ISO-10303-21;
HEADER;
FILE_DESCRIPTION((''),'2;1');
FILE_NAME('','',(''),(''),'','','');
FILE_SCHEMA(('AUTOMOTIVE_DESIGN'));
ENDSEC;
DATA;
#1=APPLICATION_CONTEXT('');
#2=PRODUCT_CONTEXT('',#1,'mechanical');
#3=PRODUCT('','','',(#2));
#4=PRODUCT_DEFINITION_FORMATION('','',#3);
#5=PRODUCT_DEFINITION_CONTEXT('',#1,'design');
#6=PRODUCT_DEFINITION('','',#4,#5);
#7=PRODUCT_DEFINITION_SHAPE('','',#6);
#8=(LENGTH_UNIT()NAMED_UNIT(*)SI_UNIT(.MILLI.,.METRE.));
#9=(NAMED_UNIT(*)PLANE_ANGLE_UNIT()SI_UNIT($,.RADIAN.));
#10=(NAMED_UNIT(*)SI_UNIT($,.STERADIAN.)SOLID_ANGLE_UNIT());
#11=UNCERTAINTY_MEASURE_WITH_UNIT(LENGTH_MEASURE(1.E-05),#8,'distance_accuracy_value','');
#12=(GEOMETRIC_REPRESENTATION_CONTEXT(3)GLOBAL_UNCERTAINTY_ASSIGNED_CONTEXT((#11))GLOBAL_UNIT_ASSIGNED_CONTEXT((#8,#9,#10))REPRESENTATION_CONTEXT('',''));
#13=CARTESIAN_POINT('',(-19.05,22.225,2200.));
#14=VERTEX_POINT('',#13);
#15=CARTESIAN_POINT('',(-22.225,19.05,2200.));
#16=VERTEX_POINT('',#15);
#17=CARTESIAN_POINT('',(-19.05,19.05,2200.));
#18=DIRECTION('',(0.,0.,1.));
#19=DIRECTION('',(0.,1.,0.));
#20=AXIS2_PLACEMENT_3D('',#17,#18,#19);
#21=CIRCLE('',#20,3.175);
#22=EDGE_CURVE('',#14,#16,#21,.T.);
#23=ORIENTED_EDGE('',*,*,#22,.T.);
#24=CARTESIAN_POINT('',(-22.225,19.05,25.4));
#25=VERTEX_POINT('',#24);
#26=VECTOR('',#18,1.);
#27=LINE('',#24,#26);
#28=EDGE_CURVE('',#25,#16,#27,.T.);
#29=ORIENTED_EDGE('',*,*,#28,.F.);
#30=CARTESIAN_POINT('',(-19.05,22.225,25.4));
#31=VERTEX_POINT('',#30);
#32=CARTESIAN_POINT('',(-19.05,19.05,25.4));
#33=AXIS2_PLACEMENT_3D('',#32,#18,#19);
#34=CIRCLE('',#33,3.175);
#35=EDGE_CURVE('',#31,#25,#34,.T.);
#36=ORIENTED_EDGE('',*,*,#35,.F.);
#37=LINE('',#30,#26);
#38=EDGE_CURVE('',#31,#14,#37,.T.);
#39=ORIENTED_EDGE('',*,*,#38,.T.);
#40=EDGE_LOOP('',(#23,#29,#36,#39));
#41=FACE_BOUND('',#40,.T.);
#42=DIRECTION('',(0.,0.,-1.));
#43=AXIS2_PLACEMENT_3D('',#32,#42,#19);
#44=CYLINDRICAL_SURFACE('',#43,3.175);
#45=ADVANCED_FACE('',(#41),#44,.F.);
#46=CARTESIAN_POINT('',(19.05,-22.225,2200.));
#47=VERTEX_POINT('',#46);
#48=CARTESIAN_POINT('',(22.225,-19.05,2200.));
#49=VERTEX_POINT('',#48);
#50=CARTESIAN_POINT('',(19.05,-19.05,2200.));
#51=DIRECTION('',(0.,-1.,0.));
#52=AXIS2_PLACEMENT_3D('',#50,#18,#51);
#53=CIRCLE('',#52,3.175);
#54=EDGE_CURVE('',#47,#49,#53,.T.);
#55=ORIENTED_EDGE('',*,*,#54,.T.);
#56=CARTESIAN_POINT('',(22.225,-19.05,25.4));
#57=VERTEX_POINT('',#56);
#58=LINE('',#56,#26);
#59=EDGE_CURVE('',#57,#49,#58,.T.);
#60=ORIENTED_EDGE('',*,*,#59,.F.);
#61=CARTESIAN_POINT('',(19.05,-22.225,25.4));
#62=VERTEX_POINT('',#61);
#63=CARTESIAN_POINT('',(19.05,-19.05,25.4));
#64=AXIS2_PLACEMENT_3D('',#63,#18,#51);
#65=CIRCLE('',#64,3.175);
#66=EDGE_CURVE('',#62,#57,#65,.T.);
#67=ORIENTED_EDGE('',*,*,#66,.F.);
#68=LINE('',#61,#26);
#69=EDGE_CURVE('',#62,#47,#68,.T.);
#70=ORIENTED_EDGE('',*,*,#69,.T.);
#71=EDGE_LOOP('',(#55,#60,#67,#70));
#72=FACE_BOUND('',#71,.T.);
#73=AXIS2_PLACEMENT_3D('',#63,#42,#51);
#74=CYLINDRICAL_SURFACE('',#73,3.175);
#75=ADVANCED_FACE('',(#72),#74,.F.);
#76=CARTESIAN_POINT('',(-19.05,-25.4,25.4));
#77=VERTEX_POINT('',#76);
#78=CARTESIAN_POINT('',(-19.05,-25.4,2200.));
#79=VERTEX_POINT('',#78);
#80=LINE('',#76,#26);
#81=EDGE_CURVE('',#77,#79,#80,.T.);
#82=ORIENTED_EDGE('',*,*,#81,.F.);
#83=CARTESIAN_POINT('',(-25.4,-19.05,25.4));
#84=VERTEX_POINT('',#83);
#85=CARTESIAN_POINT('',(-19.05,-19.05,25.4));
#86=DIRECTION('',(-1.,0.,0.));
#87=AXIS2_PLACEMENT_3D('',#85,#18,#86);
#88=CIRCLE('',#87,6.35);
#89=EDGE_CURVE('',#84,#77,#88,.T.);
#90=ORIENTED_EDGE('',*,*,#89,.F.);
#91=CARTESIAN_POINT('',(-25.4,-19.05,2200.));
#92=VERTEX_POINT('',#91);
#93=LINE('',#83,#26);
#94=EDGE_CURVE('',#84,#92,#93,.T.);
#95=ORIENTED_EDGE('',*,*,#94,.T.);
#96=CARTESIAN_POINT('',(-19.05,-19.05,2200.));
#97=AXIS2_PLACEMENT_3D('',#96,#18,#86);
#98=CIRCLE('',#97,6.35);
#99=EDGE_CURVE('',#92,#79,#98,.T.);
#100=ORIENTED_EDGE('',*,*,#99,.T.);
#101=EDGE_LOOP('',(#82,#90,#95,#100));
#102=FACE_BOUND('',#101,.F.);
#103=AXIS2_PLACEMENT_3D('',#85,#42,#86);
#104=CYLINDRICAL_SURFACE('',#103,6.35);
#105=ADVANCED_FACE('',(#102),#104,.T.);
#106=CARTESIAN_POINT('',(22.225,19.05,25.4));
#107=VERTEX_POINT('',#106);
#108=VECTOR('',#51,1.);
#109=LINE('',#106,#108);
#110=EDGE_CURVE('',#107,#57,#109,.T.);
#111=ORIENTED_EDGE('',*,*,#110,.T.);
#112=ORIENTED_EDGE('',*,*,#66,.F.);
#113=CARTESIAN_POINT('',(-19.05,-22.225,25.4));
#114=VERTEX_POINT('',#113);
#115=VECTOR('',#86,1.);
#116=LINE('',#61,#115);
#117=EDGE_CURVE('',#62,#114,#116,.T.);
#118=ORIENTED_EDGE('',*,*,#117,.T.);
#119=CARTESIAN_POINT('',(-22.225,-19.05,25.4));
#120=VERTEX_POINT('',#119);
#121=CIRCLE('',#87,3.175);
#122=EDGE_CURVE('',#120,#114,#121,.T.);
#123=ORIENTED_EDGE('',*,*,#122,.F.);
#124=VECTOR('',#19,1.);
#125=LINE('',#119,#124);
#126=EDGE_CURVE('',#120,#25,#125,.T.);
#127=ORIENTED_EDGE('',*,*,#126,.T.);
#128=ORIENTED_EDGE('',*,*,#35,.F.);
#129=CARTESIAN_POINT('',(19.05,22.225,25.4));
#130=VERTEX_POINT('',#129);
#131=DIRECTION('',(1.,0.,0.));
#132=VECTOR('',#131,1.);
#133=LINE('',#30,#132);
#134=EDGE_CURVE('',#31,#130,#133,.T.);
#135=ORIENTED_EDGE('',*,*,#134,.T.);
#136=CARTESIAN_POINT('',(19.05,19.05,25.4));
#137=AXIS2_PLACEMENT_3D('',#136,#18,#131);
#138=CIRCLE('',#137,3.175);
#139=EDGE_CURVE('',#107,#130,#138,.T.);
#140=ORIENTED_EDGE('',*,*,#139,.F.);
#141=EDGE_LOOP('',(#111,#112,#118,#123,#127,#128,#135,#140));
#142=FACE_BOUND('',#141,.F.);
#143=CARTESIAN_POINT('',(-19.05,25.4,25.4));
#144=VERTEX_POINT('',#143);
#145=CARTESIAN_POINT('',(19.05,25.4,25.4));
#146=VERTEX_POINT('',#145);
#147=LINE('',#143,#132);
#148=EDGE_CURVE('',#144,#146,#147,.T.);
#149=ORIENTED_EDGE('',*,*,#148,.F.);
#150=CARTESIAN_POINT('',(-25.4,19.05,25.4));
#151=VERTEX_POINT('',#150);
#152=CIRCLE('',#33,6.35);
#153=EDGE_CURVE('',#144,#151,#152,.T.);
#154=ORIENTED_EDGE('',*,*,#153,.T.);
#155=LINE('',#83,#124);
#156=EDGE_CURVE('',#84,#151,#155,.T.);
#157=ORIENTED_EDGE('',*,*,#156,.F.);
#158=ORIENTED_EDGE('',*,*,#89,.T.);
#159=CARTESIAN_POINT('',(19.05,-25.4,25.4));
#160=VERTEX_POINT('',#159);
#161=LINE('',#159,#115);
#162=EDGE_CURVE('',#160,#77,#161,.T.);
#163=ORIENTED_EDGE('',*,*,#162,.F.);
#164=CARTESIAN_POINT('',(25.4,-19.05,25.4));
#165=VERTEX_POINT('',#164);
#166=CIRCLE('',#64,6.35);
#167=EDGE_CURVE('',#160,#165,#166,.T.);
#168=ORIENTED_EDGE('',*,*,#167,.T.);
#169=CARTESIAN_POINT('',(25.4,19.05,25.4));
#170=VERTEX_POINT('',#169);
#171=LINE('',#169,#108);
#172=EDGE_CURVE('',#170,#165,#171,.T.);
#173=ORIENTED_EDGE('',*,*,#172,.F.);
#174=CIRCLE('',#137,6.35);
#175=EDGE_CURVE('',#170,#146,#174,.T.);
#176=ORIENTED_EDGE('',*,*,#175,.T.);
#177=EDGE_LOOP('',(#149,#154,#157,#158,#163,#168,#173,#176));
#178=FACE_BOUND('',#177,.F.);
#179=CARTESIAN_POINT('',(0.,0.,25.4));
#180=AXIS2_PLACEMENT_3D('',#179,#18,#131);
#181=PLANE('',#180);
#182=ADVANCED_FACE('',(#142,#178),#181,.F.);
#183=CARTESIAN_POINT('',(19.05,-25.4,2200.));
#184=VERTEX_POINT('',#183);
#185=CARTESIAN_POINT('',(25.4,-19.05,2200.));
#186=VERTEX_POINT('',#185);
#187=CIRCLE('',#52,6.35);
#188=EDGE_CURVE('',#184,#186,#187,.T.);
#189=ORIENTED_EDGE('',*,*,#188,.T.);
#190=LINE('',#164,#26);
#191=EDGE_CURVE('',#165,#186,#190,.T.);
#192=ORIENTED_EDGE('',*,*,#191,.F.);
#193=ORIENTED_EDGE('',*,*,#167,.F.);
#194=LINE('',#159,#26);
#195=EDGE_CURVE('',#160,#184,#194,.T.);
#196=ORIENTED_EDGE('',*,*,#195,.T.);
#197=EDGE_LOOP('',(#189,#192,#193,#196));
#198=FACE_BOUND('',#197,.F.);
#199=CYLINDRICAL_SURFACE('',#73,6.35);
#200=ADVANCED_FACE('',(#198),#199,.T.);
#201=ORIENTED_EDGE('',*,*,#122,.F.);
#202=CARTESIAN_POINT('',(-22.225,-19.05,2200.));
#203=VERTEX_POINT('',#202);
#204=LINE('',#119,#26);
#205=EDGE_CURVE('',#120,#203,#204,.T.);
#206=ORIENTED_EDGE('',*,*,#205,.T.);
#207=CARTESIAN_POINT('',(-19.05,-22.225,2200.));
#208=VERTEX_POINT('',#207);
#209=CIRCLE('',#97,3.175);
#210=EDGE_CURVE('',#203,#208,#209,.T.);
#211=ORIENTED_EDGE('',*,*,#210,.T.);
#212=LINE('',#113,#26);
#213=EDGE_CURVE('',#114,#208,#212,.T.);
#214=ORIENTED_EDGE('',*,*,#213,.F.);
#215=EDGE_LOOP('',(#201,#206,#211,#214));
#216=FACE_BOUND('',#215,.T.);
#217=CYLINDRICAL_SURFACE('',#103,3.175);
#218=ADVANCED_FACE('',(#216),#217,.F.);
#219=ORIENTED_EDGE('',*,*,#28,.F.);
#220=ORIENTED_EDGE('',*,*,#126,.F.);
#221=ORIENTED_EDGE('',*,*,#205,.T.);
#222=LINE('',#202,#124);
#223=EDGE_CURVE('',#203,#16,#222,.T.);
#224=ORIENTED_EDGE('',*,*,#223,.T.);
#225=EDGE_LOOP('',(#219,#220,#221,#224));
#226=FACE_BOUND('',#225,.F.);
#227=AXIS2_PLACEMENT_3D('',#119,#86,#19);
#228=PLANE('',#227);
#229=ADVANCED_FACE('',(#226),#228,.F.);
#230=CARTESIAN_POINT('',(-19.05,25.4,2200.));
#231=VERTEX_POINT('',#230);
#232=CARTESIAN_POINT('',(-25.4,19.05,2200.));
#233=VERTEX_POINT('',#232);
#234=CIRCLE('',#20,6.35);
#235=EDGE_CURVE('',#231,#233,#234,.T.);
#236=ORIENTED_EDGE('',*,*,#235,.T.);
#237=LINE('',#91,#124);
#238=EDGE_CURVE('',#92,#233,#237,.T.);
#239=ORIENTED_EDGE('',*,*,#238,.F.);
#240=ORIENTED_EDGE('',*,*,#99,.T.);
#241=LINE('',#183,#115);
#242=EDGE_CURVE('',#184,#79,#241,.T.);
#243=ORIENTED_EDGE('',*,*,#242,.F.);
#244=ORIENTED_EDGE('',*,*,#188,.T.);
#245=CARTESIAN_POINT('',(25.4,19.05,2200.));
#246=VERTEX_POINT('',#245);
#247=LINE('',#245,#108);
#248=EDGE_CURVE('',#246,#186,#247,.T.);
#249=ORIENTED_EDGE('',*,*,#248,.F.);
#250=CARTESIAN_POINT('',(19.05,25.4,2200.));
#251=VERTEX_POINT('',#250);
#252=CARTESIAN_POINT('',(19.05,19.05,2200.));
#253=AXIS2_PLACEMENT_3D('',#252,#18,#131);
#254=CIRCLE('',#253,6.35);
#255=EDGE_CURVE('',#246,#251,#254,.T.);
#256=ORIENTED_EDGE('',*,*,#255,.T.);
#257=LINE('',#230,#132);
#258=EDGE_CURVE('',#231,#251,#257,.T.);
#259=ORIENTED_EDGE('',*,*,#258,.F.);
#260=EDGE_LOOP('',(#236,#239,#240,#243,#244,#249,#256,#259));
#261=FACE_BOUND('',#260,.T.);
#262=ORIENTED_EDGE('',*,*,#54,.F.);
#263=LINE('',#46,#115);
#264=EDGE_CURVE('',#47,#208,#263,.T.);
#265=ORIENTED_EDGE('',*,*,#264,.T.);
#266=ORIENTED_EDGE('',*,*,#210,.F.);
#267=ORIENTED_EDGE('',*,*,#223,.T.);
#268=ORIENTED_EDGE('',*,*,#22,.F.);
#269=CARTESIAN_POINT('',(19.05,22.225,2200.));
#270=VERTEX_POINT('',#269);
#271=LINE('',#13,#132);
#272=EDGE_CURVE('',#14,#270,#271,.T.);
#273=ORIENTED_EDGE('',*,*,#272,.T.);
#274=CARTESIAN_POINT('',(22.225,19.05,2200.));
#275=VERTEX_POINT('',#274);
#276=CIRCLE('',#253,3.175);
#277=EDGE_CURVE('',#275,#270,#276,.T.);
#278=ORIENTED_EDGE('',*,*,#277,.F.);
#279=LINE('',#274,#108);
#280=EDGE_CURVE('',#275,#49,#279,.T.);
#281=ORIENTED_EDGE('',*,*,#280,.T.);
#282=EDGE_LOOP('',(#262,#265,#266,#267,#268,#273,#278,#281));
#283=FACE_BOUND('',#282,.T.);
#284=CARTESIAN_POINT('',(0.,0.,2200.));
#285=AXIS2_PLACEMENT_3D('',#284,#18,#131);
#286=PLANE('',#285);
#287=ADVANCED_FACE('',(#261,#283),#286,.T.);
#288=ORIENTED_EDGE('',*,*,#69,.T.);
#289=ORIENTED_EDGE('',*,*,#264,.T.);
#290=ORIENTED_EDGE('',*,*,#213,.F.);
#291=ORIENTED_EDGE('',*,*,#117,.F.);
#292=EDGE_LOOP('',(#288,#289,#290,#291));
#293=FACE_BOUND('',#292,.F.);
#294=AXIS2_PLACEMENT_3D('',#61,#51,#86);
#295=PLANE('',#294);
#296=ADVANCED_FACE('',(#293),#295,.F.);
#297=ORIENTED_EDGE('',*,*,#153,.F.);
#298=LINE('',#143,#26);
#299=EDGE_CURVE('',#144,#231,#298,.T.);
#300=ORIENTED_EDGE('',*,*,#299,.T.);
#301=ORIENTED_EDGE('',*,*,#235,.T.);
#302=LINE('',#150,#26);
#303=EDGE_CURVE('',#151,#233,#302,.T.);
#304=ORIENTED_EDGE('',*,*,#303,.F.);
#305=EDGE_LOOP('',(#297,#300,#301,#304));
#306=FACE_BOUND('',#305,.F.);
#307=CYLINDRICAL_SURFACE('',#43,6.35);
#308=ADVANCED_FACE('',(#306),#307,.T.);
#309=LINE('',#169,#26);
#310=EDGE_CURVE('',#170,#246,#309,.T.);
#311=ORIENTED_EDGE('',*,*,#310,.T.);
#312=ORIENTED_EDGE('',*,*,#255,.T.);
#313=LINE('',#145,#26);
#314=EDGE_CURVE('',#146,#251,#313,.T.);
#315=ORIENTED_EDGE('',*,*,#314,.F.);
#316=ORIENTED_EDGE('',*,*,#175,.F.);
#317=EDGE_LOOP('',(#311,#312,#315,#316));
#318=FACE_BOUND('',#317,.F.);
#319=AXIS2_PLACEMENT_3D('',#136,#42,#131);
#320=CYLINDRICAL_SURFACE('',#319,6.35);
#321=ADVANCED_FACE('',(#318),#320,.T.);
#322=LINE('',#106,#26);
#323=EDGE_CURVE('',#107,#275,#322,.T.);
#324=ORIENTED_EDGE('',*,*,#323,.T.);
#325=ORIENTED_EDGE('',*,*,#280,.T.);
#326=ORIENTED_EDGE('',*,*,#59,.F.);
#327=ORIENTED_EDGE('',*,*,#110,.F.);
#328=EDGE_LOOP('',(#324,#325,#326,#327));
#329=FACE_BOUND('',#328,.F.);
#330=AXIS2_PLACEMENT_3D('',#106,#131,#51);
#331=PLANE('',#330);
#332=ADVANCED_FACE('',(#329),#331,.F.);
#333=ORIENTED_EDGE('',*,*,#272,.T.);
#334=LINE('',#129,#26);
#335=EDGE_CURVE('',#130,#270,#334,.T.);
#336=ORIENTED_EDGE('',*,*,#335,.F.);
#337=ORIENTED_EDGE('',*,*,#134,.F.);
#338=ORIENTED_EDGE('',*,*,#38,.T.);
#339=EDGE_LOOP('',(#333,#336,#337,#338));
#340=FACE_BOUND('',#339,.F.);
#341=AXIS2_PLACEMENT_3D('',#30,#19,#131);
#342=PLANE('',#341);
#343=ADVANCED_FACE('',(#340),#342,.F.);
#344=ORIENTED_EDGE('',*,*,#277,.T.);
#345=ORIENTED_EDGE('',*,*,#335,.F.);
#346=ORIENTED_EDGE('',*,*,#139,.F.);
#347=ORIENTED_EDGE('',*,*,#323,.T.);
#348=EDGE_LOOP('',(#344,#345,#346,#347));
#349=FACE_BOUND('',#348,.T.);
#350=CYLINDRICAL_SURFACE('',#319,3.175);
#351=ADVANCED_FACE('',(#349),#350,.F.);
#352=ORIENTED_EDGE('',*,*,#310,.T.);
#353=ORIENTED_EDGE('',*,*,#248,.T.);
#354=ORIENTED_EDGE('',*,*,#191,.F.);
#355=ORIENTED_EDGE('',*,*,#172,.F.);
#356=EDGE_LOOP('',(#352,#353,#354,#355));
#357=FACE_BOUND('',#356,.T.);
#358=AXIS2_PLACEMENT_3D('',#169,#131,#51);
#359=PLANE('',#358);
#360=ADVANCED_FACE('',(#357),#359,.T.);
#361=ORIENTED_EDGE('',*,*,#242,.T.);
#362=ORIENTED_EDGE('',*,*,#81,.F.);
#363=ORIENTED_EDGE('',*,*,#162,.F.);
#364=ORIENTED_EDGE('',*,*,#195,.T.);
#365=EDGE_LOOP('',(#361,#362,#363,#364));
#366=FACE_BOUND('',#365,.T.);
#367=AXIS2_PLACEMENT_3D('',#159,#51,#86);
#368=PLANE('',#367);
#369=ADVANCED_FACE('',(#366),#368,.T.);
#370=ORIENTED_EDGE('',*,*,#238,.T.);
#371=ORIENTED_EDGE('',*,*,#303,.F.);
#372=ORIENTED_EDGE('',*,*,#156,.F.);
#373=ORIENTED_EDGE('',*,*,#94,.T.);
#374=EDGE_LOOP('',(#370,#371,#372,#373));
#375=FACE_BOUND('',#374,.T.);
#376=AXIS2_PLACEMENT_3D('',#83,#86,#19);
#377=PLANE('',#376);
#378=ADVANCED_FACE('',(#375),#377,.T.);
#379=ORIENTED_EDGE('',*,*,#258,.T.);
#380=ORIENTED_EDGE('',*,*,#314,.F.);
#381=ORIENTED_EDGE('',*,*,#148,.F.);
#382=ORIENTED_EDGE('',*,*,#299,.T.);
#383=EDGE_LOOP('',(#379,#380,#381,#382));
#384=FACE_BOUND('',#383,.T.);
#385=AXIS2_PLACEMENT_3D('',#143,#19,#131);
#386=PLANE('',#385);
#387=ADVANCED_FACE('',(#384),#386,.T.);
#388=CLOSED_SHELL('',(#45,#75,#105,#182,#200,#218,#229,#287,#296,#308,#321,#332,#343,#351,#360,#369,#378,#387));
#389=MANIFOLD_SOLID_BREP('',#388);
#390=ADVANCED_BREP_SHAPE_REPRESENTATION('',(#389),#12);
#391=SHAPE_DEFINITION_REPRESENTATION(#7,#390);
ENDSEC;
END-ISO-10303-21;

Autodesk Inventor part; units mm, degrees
ref_plane "Plano inicial" through (0, 0, 25.4) normal (0, 0, 1) x (1, 0, 0)
ref_plane "Plano final" through (0, 0, 2200) normal (0, 0, 1) x (1, 0, 0)
sketch "Boceto" plane through (0, 0, 0) normal (0, 0, 1) x (1, 0, 0)
  line L0 (-25.4, -19.05) -> (-25.4, 19.05)
  line L1 (-19.05, 25.4) -> (19.05, 25.4)
  line L2 (25.4, 19.05) -> (25.4, -19.05)
  line L3 (19.05, -25.4) -> (-19.05, -25.4)
  arc A0 (-25.4, -19.05) -> (-19.05, -25.4) centre (-19.05, -19.05) ccw
  arc A1 (-19.05, 25.4) -> (-25.4, 19.05) centre (-19.05, 19.05) ccw
  arc A2 (25.4, 19.05) -> (19.05, 25.4) centre (19.05, 19.05) ccw
  arc A3 (19.05, -25.4) -> (25.4, -19.05) centre (19.05, -19.05) ccw
  arc A4 (-19.05, 22.225) -> (-22.225, 19.05) centre (-19.05, 19.05) ccw
  line L4 (-19.05, 22.225) -> (19.05, 22.225)
  arc A5 (22.225, 19.05) -> (19.05, 22.225) centre (19.05, 19.05) ccw
  line L5 (22.225, 19.05) -> (22.225, -19.05)
  arc A6 (19.05, -22.225) -> (22.225, -19.05) centre (19.05, -19.05) ccw
  line L6 (19.05, -22.225) -> (-19.05, -22.225)
  arc A7 (-22.225, -19.05) -> (-19.05, -22.225) centre (-19.05, -19.05) ccw
  line L7 (-22.225, -19.05) -> (-22.225, 19.05)
  line L8 (0, 37.4012) -> (0, -37.4012) construction
  line L9 (-37.4012, 0) -> (37.4012, 0) construction
  dimension "d10" = 50.8
  dimension "d11" = 50.8
  dimension "d12" = 3.175
  dimension "d15" = 25.4
  dimension "d16" = 25.4
  dimension "d17" = 6.35
extrude "Cuerpo" add sketch "Boceto" along normal up to surface (2174.6 mm away) from surface at 25.4
sketch "Sketch3" plane through (0, 0, 0) normal (0, 0, 1) x (1, 0, 0)
  line L0 (0, 0) -> (10, 0)
ref_plane "Work Plane3" through (0, 0, 0) normal (0, -1, 0) x (1, 0, 0)
ref_plane "Plano de trabajo4" through (0, -19.05, 25.4) normal (0, 0, -1) x (-1, 0, 0)
split "Dividir1" plane through (0, -19.05, 25.4) removes the side toward (0, 0, -1)
sketch "Sketch4" plane through (0, 0, 0) normal (0, -1, 0) x (1, 0, 0)
  line L0 (-2, 25.4) -> (12, 25.4) projected
  line L1 (-2, 2200) -> (12, 2200) projected
  dimension "d19" = 2174.6
equation "\"d10\" = G_H"
equation "\"d11\" = G_W"
equation "\"d12\" = G_T"
equation "\"d15\" = 0.5 * d10"
equation "\"d16\" = 0.5 * d11"
equation "\"d17\" = G_IR"
equation "\"d3\" = G_L"
equation "\"G_W\" = 50.8"
equation "\"G_H\" = 50.8"
equation "\"G_T\" = 3.175"
equation "\"G_IR\" = 6.35"
equation "\"G_L\" = d19"
equation "\"G_OFFSET_START\" = -25.4"
equation "\"G_OFFSET_END\" = 0"
equation "\"d13\" = -G_OFFSET_START"
equation "\"d14\" = G_OFFSET_END + B_L"
equation "\"B_L\" = 2200"
properties part number "AISC - 2 x 2 x 1/8 - 85,614" material "Acero, suave"
